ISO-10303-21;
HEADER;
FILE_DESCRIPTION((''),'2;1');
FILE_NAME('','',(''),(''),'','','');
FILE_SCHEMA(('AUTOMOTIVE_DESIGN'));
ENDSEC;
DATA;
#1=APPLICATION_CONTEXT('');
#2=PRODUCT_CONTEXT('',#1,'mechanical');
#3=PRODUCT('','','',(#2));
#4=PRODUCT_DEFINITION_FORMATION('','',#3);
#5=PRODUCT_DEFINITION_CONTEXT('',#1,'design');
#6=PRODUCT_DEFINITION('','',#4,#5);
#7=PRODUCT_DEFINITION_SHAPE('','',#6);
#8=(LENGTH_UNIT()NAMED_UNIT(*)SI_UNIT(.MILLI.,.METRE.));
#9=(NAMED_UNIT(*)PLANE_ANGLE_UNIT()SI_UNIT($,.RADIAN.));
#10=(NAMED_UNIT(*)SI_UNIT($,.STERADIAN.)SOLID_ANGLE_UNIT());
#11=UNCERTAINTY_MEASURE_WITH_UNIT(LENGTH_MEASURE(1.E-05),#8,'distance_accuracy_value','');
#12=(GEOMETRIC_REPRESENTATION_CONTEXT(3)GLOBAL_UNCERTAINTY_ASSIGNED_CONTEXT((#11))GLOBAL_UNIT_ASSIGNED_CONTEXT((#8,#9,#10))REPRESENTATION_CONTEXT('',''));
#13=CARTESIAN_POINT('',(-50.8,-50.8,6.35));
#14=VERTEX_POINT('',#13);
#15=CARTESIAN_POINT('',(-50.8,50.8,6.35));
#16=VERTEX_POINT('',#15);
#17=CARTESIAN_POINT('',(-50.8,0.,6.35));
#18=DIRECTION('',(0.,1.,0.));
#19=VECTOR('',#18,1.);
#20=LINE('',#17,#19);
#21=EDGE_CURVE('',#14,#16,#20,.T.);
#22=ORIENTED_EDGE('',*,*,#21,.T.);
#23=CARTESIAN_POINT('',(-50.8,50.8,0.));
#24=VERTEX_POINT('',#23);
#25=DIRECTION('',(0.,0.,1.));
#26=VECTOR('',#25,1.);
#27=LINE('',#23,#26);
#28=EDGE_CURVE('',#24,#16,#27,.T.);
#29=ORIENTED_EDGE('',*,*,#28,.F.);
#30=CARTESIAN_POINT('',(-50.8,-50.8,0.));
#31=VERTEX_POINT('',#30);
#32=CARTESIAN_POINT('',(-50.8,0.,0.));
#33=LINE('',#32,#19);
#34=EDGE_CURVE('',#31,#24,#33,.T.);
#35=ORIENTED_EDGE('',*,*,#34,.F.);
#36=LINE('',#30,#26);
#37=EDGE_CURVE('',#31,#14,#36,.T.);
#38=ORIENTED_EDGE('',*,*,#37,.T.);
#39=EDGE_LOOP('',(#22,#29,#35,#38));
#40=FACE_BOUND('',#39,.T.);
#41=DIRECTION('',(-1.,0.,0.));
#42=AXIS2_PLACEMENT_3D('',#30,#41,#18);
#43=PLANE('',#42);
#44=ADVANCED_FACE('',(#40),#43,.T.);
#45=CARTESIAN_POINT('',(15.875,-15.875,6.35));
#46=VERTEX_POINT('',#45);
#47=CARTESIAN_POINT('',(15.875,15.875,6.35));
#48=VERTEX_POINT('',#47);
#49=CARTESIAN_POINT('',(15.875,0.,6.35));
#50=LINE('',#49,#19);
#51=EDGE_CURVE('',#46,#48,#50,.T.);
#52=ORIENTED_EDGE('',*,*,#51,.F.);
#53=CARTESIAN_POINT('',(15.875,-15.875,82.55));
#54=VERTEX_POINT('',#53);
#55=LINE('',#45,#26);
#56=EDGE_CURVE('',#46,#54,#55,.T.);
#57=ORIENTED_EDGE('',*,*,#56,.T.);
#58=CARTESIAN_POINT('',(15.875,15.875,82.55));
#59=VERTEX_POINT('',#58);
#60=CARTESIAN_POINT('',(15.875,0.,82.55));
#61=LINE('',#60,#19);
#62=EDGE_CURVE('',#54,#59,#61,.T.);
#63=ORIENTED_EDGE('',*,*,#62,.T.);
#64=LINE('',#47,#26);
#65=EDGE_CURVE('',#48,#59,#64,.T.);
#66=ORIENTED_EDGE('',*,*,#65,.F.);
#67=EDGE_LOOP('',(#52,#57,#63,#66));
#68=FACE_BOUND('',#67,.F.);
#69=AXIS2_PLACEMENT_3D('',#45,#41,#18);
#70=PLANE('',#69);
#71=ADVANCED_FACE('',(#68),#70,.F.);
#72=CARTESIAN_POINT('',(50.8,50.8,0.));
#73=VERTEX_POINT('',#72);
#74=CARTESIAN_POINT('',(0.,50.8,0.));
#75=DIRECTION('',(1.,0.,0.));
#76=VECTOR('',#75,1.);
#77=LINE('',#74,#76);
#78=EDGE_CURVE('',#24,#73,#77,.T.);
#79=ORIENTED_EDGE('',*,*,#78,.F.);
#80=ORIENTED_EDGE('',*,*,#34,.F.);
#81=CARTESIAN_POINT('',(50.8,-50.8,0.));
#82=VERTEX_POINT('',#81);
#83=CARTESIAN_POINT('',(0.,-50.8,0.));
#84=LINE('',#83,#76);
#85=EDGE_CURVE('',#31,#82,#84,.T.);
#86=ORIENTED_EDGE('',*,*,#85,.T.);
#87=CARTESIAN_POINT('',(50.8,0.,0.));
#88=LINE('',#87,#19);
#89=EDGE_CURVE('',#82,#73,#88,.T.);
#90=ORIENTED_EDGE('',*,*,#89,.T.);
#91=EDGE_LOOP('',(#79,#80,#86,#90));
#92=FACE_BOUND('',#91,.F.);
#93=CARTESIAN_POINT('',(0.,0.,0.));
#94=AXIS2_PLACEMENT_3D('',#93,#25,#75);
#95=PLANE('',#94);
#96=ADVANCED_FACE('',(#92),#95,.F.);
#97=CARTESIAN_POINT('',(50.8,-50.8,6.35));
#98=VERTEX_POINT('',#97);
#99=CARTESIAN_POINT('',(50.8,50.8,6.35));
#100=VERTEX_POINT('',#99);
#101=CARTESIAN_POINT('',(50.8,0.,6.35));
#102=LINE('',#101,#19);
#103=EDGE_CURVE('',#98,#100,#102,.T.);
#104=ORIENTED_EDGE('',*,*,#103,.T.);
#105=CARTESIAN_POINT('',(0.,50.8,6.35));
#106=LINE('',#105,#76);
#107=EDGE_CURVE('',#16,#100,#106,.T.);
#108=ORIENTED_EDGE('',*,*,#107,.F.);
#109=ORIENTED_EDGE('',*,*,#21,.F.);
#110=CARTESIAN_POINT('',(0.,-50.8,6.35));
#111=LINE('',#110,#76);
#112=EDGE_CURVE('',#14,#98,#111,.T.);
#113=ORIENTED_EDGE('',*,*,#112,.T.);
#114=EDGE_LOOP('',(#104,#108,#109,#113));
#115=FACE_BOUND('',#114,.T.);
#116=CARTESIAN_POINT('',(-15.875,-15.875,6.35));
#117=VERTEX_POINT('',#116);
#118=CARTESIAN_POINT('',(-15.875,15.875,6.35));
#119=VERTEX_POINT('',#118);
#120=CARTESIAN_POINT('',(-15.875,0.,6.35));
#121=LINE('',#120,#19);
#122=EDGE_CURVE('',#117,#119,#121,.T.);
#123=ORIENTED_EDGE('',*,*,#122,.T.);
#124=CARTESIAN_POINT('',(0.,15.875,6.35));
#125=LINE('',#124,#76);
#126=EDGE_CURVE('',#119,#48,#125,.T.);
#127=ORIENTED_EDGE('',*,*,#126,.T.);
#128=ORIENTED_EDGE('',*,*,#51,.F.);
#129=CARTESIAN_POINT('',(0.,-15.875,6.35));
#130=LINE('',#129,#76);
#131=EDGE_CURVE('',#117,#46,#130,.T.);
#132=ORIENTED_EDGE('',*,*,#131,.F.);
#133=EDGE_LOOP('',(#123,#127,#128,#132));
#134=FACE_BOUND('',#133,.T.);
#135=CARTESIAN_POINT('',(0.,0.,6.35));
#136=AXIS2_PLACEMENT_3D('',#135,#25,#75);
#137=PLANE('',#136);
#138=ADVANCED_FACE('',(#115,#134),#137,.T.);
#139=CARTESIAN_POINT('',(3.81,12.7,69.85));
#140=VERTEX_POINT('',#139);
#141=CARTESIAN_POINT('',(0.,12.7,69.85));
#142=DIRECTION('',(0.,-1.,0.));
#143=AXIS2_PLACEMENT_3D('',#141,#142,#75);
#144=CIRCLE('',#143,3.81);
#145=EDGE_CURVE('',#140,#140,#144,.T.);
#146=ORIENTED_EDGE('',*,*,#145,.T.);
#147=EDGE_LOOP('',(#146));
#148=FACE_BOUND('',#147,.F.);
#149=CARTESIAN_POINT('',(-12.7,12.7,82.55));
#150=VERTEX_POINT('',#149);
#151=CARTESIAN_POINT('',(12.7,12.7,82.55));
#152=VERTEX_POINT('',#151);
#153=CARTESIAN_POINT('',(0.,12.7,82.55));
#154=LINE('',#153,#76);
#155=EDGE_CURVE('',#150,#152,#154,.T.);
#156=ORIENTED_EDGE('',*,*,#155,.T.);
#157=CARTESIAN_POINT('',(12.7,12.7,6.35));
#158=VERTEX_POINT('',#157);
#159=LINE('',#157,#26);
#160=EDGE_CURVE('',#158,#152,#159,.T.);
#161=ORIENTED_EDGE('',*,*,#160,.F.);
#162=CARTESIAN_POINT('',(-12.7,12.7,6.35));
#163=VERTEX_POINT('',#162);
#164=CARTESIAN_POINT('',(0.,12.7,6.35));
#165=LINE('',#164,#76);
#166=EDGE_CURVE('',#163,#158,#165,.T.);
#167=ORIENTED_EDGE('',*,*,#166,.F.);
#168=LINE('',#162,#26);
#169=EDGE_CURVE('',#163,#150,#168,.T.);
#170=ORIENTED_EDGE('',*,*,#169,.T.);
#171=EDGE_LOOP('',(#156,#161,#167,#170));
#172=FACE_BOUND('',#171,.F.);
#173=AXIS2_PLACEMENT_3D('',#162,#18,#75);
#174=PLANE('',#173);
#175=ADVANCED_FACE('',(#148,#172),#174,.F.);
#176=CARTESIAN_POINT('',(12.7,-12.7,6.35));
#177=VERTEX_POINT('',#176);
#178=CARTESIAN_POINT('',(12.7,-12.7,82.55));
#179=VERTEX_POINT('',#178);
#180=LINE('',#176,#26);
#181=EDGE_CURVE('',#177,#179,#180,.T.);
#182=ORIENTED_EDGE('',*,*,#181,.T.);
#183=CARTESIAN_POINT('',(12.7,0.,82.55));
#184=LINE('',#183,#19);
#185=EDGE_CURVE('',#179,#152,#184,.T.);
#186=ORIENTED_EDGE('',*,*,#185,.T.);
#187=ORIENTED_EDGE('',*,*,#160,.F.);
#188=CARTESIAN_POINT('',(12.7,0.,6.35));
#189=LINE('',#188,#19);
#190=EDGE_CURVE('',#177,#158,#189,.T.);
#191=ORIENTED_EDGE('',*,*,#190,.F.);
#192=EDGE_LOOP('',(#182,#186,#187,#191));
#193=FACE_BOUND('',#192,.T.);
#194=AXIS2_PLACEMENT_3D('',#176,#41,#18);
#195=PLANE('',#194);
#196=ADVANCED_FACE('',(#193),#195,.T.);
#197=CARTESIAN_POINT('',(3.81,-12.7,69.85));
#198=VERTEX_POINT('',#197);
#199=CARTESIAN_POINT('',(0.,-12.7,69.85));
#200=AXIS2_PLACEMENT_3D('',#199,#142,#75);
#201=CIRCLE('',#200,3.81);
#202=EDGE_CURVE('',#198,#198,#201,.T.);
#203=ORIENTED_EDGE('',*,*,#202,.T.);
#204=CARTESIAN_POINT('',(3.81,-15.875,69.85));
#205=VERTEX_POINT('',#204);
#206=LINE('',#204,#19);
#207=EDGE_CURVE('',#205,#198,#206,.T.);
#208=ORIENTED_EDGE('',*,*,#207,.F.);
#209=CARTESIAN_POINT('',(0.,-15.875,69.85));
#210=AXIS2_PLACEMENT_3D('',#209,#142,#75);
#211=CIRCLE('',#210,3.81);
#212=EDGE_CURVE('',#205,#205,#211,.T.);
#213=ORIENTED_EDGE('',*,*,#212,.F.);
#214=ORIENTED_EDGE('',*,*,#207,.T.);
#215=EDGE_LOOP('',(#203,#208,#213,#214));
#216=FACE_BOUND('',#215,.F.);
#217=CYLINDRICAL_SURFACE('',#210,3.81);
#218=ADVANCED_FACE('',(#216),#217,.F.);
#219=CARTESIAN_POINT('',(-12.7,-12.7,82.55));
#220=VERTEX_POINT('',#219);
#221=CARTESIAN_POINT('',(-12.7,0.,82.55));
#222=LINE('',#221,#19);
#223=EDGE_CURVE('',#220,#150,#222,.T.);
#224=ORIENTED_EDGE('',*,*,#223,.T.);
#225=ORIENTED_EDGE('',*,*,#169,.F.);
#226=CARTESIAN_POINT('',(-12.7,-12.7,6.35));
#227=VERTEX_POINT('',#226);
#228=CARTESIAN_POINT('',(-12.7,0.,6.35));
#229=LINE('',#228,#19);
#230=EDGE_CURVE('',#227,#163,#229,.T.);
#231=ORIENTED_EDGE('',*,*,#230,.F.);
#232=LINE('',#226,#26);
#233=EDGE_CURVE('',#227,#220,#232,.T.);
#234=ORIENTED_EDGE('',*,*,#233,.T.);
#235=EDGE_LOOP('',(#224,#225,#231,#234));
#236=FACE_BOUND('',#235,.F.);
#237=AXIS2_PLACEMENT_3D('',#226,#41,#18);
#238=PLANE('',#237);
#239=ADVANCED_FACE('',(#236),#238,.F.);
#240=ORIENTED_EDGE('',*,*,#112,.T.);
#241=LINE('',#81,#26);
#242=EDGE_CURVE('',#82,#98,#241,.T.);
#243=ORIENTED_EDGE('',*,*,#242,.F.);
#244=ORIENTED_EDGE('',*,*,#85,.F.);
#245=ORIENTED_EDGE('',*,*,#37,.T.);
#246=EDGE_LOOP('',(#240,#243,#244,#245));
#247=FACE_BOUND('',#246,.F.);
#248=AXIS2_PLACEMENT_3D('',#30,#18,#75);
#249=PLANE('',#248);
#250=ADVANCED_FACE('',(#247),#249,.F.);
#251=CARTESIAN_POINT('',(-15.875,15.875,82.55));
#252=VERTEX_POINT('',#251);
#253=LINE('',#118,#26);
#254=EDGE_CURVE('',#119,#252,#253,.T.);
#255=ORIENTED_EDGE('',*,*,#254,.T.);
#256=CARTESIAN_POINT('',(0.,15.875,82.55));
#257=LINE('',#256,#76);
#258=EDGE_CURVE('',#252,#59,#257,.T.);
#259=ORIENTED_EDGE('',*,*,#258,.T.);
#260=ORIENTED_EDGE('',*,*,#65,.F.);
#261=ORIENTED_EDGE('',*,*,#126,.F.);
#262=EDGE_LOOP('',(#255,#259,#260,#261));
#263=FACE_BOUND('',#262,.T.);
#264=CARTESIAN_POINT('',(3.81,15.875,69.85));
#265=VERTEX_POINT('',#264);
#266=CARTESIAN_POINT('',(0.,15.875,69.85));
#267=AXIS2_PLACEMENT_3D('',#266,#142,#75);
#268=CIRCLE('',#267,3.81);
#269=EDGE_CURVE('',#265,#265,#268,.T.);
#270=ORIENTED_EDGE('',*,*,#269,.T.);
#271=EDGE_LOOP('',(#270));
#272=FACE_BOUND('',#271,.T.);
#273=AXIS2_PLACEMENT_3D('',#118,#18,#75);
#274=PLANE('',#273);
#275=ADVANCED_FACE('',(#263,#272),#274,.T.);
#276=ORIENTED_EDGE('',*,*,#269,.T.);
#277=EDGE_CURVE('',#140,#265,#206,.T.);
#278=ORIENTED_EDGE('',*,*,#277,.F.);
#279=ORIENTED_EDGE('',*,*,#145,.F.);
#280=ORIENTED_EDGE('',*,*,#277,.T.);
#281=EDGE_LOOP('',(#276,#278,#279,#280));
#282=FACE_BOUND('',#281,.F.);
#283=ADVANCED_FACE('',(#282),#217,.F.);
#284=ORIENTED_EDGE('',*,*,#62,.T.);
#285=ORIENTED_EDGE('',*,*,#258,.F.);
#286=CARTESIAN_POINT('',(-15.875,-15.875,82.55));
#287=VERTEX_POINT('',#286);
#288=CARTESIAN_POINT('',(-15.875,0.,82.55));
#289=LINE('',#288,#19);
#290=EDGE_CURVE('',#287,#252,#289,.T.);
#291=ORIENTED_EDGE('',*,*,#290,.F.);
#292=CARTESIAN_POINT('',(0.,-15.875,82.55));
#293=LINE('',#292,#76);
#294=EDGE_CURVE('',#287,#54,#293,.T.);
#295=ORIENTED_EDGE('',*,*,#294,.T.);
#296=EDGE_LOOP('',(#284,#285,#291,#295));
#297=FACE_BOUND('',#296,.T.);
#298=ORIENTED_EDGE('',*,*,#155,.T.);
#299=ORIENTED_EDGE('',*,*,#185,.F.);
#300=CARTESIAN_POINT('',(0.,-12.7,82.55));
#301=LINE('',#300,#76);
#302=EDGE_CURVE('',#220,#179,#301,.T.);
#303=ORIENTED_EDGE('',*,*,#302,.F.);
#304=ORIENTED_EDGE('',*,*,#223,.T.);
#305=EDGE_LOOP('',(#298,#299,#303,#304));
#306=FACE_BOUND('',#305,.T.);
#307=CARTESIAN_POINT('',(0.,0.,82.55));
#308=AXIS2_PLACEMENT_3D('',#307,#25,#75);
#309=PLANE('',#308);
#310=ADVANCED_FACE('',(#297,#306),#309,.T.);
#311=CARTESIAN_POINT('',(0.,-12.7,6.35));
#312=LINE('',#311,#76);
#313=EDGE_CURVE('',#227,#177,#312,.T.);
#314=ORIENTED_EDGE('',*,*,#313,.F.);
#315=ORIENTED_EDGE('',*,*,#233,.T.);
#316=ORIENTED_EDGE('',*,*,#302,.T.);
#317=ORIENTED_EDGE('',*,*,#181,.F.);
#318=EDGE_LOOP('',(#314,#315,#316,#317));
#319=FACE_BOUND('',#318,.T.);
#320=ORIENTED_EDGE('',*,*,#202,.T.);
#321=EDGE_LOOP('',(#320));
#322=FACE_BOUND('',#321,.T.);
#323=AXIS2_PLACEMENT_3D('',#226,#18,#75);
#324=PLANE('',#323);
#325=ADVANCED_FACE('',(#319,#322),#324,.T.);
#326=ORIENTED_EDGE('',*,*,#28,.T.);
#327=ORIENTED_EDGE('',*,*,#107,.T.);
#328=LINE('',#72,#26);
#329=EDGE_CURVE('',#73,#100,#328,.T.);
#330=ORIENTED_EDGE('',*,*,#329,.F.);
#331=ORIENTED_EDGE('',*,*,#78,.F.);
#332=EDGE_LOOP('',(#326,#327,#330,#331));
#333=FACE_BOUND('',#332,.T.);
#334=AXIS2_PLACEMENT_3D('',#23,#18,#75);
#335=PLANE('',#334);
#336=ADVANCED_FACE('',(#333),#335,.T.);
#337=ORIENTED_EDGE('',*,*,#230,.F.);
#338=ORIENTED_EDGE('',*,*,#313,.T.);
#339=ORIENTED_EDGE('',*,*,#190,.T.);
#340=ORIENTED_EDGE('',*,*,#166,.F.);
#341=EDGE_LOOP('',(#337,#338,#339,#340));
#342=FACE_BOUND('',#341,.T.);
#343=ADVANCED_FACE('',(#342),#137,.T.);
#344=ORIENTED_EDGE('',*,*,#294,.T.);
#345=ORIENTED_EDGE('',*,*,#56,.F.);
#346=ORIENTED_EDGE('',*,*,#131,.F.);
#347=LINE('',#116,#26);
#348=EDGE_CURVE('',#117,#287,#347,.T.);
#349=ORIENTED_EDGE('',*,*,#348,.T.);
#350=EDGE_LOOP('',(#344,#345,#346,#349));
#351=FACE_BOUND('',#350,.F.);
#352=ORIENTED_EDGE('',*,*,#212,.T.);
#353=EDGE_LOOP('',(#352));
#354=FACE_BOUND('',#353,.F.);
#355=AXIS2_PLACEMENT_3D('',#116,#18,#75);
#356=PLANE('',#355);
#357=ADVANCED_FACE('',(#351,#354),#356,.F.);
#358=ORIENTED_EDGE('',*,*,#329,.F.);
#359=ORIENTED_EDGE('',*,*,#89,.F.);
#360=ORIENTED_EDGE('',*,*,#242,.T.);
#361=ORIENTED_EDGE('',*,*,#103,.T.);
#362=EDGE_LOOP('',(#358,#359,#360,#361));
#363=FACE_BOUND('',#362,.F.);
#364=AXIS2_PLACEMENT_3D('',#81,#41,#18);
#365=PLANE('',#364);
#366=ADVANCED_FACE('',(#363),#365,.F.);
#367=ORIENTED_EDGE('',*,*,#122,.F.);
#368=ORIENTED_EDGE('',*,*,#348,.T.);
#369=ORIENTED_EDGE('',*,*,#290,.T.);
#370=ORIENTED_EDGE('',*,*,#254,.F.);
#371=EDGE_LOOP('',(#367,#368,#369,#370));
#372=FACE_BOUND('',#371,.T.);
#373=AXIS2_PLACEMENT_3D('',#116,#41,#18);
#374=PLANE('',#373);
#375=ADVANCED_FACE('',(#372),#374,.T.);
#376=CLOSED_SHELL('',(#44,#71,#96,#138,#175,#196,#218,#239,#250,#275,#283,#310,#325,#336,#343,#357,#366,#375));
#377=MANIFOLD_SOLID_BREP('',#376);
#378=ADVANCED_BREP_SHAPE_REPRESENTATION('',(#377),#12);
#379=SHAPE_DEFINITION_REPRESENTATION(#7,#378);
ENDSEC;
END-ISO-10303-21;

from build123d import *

# Parameters (mm, degrees)
F0_W     = 101.6
F0_H     = 101.6
F1_DEPTH = 6.35
F2_W     = 31.75
F2_H     = 31.75
F2_W_2   = 25.4
F2_H_2   = 25.4
F3_DEPTH = 76.2
F4_R     = 3.81
F5_DEPTH = 66.676


with BuildPart() as f1:
    # F0 (on Top) → F1 (new body)
    with BuildSketch(Plane.XY):
        Rectangle(F0_W, F0_H)
    extrude(amount=F1_DEPTH)

    # F2 (on face) → F3 (join)
    with BuildSketch(Plane.XY.offset(6.35)):
        Rectangle(F2_W, F2_H)
        Rectangle(F2_W_2, F2_H_2, mode=Mode.SUBTRACT)
    extrude(amount=F3_DEPTH)

    # F4 (on face) → F5 (cut, through all)
    with BuildSketch(Plane.XZ.offset(15.875)):
        with Locations((0, 69.85)):
            Circle(F4_R)
    extrude(amount=-F5_DEPTH, mode=Mode.SUBTRACT)


solid = f1.part
